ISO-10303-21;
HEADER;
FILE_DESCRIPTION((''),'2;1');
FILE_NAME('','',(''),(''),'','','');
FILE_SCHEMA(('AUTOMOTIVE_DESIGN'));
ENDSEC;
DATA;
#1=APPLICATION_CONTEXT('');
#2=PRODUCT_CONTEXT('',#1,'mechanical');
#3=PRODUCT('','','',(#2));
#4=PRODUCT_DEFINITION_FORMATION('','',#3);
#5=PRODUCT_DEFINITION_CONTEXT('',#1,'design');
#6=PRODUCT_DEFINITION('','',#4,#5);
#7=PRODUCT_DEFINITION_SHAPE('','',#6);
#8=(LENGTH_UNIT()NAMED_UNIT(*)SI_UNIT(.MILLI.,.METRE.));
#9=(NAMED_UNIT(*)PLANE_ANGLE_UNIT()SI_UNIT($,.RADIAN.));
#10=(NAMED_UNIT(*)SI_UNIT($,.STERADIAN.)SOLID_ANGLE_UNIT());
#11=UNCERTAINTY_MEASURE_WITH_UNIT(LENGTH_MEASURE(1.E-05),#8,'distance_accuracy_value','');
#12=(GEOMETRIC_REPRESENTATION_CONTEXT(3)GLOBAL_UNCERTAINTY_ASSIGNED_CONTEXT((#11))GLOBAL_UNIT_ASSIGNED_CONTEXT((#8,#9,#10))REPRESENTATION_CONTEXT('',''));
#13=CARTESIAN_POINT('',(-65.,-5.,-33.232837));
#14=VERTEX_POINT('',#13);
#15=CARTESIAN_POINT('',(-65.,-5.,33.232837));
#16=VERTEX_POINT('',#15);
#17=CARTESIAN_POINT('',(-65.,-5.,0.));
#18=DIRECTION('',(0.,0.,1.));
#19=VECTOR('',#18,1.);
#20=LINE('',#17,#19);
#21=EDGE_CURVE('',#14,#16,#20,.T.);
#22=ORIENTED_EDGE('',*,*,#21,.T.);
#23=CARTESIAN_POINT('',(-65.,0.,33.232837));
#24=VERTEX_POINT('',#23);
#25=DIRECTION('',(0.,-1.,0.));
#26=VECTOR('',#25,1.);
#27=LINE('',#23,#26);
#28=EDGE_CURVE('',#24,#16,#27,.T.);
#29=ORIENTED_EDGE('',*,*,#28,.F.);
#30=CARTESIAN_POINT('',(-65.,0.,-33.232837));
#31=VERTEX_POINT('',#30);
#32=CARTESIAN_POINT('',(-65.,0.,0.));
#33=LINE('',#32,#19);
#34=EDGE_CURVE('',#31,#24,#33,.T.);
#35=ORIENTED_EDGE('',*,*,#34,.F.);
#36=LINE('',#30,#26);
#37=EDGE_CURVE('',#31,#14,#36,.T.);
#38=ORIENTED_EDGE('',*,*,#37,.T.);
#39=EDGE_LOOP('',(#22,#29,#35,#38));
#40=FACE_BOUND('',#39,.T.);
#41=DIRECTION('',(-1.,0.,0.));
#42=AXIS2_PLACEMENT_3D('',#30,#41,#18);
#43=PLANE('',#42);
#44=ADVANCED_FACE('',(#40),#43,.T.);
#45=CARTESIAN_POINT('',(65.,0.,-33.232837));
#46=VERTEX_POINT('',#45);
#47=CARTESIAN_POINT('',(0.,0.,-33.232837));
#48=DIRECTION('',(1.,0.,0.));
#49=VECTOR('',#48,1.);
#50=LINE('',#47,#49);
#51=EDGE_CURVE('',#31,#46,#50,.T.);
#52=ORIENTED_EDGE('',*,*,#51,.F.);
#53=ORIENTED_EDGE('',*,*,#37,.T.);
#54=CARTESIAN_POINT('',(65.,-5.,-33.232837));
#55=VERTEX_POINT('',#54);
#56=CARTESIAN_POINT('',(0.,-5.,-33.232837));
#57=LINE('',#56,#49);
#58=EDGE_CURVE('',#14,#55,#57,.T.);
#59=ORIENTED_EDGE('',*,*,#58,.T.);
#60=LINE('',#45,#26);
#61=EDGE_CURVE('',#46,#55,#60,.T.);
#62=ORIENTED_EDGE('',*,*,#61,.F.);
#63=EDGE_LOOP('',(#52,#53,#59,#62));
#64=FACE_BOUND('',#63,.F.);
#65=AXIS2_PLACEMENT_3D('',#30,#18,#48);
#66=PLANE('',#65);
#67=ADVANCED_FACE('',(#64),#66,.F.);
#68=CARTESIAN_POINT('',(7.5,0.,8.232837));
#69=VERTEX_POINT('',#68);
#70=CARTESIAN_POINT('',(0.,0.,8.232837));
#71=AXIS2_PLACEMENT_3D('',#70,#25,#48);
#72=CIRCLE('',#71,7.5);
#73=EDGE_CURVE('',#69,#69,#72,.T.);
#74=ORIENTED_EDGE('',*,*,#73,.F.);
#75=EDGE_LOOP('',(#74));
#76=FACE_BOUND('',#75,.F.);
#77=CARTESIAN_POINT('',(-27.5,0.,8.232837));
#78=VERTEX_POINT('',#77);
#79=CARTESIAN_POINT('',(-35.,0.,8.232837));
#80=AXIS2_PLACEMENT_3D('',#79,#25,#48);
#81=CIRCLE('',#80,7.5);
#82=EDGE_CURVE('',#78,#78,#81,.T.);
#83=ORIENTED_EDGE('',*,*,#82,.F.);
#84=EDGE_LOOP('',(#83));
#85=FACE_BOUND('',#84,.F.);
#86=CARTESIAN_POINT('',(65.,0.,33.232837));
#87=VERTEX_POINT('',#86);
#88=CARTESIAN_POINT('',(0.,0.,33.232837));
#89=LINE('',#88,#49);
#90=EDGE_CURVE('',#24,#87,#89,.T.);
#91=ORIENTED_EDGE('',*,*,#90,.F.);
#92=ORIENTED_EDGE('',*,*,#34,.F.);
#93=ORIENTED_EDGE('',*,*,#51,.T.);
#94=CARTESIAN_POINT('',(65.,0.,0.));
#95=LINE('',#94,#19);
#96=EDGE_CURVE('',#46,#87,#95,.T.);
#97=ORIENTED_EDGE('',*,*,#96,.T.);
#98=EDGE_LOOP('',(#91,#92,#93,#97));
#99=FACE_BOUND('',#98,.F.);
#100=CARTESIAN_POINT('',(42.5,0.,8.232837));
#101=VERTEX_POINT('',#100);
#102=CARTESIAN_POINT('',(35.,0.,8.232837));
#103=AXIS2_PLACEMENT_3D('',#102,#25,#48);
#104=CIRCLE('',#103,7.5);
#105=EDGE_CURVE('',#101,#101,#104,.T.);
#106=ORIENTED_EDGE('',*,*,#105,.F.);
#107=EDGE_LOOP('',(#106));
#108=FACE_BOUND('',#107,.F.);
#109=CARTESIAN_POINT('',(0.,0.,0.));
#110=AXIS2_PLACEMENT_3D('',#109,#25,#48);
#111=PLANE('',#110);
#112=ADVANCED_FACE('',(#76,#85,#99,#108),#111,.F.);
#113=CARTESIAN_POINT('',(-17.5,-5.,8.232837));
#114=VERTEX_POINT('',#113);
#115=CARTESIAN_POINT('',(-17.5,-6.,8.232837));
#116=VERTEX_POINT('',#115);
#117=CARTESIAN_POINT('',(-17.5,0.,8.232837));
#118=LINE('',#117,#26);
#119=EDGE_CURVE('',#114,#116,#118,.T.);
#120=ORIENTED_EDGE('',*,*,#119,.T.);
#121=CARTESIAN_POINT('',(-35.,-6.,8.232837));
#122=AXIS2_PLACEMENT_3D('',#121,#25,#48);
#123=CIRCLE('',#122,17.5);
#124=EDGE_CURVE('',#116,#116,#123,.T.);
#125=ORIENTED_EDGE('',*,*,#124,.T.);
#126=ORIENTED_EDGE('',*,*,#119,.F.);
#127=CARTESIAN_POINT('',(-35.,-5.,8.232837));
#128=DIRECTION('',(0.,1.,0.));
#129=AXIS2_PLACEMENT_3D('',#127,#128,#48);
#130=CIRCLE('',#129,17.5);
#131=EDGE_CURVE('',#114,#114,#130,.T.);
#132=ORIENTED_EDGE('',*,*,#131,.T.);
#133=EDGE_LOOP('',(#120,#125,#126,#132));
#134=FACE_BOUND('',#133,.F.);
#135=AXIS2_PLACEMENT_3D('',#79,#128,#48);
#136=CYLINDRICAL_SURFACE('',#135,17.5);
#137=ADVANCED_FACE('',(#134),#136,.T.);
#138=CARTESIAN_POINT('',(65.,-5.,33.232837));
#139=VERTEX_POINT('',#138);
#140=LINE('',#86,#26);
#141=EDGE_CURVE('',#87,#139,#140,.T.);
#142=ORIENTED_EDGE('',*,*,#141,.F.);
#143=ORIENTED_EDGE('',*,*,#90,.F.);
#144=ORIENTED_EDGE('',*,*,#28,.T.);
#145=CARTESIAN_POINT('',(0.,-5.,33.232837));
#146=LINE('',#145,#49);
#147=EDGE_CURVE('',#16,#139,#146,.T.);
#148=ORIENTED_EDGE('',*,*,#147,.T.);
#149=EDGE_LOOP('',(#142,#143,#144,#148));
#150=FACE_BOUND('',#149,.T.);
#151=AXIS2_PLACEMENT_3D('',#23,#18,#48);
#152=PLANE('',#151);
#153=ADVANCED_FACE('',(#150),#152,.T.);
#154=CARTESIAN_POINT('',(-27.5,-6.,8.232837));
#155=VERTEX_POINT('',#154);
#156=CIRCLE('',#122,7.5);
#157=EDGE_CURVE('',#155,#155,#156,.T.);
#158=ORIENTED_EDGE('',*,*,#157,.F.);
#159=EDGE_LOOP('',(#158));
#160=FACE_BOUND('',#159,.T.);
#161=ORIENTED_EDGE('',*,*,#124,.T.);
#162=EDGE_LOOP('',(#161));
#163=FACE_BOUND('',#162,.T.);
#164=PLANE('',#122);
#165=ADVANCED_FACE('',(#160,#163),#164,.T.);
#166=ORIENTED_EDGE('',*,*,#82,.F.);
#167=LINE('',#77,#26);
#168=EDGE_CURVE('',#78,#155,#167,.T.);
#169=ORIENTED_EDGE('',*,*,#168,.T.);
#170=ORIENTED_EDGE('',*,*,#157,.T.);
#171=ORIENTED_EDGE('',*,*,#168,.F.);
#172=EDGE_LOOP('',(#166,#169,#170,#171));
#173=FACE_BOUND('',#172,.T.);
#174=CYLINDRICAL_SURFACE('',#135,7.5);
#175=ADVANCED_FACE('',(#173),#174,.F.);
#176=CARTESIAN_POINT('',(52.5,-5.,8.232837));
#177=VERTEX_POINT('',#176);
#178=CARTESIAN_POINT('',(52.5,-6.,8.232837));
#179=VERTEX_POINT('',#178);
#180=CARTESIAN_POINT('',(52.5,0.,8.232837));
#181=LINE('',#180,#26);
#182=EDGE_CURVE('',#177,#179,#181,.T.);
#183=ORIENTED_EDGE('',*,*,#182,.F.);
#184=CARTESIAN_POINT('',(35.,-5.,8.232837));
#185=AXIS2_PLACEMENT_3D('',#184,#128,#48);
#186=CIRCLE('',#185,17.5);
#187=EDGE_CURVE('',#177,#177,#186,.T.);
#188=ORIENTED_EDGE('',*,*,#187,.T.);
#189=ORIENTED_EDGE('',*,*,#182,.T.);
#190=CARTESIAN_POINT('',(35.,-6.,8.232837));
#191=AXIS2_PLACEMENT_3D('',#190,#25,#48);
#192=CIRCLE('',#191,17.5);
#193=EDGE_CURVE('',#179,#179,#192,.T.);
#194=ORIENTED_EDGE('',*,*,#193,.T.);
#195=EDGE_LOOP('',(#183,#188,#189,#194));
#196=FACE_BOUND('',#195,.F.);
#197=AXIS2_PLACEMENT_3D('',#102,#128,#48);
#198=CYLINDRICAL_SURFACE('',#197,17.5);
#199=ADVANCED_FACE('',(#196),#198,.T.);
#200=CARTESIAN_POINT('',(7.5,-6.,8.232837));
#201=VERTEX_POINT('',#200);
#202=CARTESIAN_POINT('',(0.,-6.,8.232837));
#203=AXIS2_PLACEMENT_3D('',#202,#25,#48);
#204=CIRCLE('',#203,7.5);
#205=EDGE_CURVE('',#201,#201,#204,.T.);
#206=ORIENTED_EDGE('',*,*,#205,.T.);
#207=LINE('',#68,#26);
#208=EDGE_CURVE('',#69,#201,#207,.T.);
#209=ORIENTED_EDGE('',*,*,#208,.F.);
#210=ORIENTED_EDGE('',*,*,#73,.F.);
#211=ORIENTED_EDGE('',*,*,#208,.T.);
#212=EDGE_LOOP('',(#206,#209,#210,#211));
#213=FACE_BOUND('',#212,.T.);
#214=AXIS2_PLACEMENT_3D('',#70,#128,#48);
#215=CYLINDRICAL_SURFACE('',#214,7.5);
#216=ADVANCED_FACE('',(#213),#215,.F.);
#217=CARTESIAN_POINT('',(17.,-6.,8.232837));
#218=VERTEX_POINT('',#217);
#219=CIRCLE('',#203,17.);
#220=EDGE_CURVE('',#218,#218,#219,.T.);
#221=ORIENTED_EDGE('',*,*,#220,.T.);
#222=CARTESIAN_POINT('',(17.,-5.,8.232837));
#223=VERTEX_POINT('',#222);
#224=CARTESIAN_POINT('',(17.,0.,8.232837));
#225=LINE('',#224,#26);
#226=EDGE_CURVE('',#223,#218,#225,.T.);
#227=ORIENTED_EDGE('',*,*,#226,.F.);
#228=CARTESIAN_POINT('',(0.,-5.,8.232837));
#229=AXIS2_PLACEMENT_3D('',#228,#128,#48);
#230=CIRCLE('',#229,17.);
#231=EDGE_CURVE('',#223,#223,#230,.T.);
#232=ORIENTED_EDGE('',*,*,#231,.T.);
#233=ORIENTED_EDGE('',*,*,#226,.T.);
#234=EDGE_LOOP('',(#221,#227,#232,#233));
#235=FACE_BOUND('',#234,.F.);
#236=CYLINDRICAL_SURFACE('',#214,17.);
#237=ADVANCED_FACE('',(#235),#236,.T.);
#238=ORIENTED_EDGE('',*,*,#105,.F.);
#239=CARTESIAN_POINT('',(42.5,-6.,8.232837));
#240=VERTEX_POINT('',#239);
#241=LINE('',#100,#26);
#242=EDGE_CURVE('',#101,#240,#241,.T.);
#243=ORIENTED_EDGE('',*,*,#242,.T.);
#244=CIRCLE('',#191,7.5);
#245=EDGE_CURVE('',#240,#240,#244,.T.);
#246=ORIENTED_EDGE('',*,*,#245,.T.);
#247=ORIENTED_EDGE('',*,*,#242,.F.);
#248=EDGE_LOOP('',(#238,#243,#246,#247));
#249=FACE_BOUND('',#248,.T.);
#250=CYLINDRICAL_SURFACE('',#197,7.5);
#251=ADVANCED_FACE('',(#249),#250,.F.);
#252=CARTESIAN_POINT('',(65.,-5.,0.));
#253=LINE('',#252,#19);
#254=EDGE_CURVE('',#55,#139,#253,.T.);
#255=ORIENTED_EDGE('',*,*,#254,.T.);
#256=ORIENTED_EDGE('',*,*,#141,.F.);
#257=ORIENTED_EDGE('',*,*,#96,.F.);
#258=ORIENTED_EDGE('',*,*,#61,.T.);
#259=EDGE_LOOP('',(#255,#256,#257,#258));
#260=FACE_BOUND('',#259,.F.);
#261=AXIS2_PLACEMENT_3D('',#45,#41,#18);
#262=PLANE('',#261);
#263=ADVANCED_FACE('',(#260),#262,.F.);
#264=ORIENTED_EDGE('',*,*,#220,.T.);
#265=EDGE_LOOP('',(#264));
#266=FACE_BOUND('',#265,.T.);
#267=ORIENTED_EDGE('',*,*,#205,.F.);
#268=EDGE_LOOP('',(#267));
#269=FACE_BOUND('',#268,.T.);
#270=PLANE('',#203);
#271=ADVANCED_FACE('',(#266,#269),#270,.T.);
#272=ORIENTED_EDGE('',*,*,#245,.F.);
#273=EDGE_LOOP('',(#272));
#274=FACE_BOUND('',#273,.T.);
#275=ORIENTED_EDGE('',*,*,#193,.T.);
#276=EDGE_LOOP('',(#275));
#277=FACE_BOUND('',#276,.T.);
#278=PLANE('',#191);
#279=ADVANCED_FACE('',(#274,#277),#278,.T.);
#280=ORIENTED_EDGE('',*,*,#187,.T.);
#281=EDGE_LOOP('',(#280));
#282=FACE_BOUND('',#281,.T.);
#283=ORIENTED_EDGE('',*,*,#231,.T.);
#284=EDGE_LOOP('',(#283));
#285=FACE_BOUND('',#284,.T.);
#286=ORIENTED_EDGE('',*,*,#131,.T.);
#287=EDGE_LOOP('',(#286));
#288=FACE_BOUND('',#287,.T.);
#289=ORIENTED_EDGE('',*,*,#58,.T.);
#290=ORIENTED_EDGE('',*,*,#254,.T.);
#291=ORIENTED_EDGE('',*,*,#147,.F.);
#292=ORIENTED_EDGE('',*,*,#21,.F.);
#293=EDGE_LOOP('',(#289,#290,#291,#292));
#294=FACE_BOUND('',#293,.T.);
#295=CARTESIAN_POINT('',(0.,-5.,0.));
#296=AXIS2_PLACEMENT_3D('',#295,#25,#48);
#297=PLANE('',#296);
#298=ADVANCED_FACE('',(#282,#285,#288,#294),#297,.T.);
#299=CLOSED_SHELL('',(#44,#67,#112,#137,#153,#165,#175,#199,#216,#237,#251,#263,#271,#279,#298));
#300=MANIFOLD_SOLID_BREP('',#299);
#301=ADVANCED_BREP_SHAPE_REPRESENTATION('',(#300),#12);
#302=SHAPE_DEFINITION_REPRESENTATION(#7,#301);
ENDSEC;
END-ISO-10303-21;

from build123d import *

# Parameters (mm, degrees)
F0_W     = 130
F0_H     = 66.465674
F0_R     = 17.5
F0_R_2   = 7.5
F0_R_3   = 17
F1_DEPTH = 5
F2_DEPTH = 6
F3_DEPTH = 6
F4_DEPTH = 6


with BuildPart() as f1:
    # F0 (on Front) → F1 (new body)
    with BuildSketch(Plane.XZ):
        Rectangle(F0_W, F0_H)
        with Locations((-35, 8.232837)):
            Circle(F0_R, mode=Mode.SUBTRACT)
        with BuildLine():
            ThreePointArc((-17.5, 8.232837), (0, 25.732837), (17.5, 8.232837))
            ThreePointArc((17.5, 8.232837), (0, -9.267163), (-17.5, 8.232837))
        make_face(mode=Mode.SUBTRACT)
        with BuildLine():
            ThreePointArc((17.5, 8.232837), (35, 25.732837), (52.5, 8.232837))
            ThreePointArc((52.5, 8.232837), (35, -9.267163), (17.5, 8.232837))
        make_face(mode=Mode.SUBTRACT)
        with Locations((-35, 8.232837)):
            Circle(F0_R)
        with Locations((-35, 8.232837)):
            Circle(F0_R_2, mode=Mode.SUBTRACT)
        with BuildLine():
            ThreePointArc((-17.5, 8.232837), (0, -9.267163), (17.5, 8.232837))
            ThreePointArc((17.5, 8.232837), (0, 25.732837), (-17.5, 8.232837))
        make_face()
        with Locations((0, 8.232837)):
            Circle(F0_R_3, mode=Mode.SUBTRACT)
        with BuildLine():
            ThreePointArc((17.5, 8.232837), (35, -9.267163), (52.5, 8.232837))
            ThreePointArc((52.5, 8.232837), (35, 25.732837), (17.5, 8.232837))
        make_face()
        with Locations((35, 8.232837)):
            Circle(F0_R_2, mode=Mode.SUBTRACT)
        with Locations((0, 8.232837)):
            Circle(F0_R_3)
        with Locations((0, 8.232837)):
            Circle(F0_R_2, mode=Mode.SUBTRACT)
    extrude(amount=F1_DEPTH)

    # F0 (on Front) → F2 (join)
    with BuildSketch(Plane.XZ):
        with BuildLine():
            ThreePointArc((17.5, 8.232837), (35, -9.267163), (52.5, 8.232837))
            ThreePointArc((52.5, 8.232837), (35, 25.732837), (17.5, 8.232837))
        make_face()
        with Locations((35, 8.232837)):
            Circle(F0_R_2, mode=Mode.SUBTRACT)
    extrude(amount=F2_DEPTH)

    # F0 (on Front) → F3 (join)
    with BuildSketch(Plane.XZ):
        with Locations((-35, 8.232837)):
            Circle(F0_R)
        with Locations((-35, 8.232837)):
            Circle(F0_R_2, mode=Mode.SUBTRACT)
    extrude(amount=F3_DEPTH)

    # F0 (on Front) → F4 (join)
    with BuildSketch(Plane.XZ):
        with Locations((0, 8.232837)):
            Circle(F0_R_3)
        with Locations((0, 8.232837)):
            Circle(F0_R_2, mode=Mode.SUBTRACT)
    extrude(amount=F4_DEPTH)


solid = f1.part
